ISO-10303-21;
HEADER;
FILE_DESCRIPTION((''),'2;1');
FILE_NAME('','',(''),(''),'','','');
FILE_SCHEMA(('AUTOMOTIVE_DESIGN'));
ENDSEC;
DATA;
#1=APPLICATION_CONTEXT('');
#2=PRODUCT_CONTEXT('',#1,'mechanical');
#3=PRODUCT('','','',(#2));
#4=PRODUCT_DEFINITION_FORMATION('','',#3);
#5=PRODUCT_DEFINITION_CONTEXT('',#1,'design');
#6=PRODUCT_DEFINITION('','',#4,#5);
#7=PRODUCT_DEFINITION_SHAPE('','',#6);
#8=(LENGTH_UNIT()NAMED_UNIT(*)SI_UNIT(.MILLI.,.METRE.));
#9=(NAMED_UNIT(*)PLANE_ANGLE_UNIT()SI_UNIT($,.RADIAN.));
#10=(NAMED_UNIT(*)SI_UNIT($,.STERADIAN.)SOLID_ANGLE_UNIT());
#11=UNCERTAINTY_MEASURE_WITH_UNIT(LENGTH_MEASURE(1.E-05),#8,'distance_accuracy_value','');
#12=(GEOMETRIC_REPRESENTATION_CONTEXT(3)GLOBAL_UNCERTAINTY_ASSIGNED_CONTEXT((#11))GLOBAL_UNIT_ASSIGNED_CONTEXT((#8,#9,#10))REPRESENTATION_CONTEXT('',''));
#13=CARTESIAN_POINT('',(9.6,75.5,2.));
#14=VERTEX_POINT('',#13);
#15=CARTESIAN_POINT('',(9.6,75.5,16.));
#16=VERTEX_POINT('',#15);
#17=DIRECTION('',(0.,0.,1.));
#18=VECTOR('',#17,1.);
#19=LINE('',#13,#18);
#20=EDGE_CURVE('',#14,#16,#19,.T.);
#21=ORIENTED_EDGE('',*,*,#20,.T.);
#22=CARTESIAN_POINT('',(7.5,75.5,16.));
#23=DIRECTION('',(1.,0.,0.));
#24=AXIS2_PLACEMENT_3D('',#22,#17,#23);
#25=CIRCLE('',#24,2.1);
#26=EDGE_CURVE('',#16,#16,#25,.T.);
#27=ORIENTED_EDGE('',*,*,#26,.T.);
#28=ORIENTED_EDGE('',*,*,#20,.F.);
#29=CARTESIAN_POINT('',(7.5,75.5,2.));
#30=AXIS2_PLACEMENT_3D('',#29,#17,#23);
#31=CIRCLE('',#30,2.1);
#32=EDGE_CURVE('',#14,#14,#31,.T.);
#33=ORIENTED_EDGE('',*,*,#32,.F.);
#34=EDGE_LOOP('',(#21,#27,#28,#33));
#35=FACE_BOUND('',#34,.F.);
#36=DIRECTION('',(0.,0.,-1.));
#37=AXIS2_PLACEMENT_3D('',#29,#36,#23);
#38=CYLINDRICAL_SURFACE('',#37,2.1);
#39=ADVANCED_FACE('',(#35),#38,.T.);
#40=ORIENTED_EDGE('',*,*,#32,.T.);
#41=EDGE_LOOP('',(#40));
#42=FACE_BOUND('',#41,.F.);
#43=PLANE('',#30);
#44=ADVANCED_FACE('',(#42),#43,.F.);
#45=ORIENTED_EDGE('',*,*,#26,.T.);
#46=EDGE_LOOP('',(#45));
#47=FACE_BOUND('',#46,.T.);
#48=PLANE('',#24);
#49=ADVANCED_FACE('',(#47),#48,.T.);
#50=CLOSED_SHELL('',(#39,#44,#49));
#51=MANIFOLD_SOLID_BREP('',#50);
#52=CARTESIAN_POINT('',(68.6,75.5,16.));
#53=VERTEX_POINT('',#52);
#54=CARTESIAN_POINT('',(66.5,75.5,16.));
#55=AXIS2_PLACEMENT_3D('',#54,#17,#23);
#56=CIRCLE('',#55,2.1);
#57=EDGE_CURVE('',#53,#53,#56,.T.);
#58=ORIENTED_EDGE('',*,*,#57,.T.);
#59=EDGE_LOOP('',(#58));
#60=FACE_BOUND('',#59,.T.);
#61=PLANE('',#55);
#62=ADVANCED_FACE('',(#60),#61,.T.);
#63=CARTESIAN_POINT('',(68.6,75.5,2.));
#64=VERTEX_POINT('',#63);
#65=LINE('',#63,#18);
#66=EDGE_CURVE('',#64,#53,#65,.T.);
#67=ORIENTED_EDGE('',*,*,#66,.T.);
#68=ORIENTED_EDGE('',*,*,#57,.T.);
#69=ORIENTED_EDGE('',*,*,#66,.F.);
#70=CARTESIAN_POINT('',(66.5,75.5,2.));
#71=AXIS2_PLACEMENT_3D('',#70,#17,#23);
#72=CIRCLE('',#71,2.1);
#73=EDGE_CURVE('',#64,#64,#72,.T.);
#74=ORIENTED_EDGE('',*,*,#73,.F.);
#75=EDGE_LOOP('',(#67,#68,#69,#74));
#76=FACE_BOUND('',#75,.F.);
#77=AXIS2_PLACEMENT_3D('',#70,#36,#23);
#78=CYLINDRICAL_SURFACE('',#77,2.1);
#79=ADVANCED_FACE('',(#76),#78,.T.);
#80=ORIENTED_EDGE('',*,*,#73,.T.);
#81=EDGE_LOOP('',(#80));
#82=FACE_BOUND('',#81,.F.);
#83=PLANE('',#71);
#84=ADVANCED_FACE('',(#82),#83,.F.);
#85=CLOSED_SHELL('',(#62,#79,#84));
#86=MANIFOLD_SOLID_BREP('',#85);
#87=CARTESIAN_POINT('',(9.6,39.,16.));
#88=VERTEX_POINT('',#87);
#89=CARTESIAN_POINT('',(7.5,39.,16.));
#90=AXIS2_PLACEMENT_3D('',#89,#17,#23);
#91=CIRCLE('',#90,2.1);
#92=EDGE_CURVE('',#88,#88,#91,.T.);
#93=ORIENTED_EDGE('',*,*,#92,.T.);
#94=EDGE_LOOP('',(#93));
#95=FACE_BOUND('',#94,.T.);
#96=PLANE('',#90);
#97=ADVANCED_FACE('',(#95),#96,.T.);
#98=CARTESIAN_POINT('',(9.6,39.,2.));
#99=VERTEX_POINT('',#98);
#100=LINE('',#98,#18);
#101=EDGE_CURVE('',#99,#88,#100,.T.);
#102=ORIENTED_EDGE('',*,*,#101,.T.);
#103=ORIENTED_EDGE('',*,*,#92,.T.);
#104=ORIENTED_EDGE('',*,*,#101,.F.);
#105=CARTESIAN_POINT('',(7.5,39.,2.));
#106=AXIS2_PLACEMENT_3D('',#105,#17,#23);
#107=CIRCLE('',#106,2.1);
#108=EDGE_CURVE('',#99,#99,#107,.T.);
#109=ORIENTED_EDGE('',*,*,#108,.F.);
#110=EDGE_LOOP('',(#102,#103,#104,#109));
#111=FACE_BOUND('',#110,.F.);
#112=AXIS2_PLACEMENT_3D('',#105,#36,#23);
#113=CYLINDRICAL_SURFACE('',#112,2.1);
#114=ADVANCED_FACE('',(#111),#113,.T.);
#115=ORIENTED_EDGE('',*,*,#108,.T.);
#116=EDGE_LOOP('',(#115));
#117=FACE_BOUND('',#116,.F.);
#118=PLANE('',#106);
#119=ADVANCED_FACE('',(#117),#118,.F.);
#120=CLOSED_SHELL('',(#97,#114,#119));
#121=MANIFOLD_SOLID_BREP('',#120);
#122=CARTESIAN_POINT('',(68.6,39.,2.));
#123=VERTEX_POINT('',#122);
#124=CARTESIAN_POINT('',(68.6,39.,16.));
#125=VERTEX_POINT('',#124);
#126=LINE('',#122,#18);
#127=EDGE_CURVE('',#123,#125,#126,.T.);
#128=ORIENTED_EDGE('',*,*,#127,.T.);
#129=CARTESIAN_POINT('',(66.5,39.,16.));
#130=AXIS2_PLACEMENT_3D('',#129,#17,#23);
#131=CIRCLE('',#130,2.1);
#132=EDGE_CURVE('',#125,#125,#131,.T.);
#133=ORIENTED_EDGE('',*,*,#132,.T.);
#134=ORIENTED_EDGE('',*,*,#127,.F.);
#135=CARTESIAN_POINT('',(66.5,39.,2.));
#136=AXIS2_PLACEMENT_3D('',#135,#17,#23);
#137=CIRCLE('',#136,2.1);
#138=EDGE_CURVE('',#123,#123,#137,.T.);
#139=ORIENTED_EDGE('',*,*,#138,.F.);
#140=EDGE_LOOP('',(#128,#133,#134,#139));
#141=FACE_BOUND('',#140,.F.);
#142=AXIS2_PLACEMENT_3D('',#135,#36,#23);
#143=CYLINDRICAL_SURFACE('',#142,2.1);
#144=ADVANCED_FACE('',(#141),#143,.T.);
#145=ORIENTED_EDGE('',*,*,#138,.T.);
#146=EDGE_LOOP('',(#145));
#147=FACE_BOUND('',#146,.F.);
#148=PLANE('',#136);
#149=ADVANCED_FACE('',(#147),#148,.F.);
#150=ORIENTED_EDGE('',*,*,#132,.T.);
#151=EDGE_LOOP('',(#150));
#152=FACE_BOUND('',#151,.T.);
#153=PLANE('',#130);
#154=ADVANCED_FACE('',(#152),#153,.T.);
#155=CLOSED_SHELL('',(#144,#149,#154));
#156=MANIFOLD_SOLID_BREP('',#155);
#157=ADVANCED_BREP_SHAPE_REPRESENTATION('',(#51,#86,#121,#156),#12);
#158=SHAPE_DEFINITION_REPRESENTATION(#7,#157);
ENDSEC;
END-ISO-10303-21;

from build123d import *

# Parameters (mm, degrees)
CYLINDER004_R     = 2.1
CYLINDER004_DEPTH = 14
CYLINDER005_R     = 2.1
CYLINDER005_DEPTH = 14
CYLINDER006_R     = 2.1
CYLINDER006_DEPTH = 14
CYLINDER007_R     = 2.1
CYLINDER007_DEPTH = 14


with BuildPart() as cylinder004:
    # Cylinder004 → Cylinder004 (new body)
    with BuildSketch(Plane(origin=(7.5, 75.5, 2), x_dir=(1, 0, 0), z_dir=(0, 0, 1))):
        Circle(CYLINDER004_R)
    extrude(amount=CYLINDER004_DEPTH)


with BuildPart() as cylinder005:
    # Cylinder005 → Cylinder005 (new body)
    with BuildSketch(Plane(origin=(66.5, 39, 2), x_dir=(1, 0, 0), z_dir=(0, 0, 1))):
        Circle(CYLINDER005_R)
    extrude(amount=CYLINDER005_DEPTH)


with BuildPart() as cylinder006:
    # Cylinder006 → Cylinder006 (new body)
    with BuildSketch(Plane(origin=(7.5, 39, 2), x_dir=(1, 0, 0), z_dir=(0, 0, 1))):
        Circle(CYLINDER006_R)
    extrude(amount=CYLINDER006_DEPTH)


with BuildPart() as basesm4bottomcutsdone:
    # Cylinder007 → Cylinder007 (new body)
    with BuildSketch(Plane(origin=(66.5, 75.5, 2), x_dir=(1, 0, 0), z_dir=(0, 0, 1))):
        Circle(CYLINDER007_R)
    extrude(amount=CYLINDER007_DEPTH)

    # Fusion001: union Cylinder004, Cylinder005, Cylinder006
    add(cylinder004.part)
    add(cylinder005.part)
    add(cylinder006.part)


solid = basesm4bottomcutsdone.part
